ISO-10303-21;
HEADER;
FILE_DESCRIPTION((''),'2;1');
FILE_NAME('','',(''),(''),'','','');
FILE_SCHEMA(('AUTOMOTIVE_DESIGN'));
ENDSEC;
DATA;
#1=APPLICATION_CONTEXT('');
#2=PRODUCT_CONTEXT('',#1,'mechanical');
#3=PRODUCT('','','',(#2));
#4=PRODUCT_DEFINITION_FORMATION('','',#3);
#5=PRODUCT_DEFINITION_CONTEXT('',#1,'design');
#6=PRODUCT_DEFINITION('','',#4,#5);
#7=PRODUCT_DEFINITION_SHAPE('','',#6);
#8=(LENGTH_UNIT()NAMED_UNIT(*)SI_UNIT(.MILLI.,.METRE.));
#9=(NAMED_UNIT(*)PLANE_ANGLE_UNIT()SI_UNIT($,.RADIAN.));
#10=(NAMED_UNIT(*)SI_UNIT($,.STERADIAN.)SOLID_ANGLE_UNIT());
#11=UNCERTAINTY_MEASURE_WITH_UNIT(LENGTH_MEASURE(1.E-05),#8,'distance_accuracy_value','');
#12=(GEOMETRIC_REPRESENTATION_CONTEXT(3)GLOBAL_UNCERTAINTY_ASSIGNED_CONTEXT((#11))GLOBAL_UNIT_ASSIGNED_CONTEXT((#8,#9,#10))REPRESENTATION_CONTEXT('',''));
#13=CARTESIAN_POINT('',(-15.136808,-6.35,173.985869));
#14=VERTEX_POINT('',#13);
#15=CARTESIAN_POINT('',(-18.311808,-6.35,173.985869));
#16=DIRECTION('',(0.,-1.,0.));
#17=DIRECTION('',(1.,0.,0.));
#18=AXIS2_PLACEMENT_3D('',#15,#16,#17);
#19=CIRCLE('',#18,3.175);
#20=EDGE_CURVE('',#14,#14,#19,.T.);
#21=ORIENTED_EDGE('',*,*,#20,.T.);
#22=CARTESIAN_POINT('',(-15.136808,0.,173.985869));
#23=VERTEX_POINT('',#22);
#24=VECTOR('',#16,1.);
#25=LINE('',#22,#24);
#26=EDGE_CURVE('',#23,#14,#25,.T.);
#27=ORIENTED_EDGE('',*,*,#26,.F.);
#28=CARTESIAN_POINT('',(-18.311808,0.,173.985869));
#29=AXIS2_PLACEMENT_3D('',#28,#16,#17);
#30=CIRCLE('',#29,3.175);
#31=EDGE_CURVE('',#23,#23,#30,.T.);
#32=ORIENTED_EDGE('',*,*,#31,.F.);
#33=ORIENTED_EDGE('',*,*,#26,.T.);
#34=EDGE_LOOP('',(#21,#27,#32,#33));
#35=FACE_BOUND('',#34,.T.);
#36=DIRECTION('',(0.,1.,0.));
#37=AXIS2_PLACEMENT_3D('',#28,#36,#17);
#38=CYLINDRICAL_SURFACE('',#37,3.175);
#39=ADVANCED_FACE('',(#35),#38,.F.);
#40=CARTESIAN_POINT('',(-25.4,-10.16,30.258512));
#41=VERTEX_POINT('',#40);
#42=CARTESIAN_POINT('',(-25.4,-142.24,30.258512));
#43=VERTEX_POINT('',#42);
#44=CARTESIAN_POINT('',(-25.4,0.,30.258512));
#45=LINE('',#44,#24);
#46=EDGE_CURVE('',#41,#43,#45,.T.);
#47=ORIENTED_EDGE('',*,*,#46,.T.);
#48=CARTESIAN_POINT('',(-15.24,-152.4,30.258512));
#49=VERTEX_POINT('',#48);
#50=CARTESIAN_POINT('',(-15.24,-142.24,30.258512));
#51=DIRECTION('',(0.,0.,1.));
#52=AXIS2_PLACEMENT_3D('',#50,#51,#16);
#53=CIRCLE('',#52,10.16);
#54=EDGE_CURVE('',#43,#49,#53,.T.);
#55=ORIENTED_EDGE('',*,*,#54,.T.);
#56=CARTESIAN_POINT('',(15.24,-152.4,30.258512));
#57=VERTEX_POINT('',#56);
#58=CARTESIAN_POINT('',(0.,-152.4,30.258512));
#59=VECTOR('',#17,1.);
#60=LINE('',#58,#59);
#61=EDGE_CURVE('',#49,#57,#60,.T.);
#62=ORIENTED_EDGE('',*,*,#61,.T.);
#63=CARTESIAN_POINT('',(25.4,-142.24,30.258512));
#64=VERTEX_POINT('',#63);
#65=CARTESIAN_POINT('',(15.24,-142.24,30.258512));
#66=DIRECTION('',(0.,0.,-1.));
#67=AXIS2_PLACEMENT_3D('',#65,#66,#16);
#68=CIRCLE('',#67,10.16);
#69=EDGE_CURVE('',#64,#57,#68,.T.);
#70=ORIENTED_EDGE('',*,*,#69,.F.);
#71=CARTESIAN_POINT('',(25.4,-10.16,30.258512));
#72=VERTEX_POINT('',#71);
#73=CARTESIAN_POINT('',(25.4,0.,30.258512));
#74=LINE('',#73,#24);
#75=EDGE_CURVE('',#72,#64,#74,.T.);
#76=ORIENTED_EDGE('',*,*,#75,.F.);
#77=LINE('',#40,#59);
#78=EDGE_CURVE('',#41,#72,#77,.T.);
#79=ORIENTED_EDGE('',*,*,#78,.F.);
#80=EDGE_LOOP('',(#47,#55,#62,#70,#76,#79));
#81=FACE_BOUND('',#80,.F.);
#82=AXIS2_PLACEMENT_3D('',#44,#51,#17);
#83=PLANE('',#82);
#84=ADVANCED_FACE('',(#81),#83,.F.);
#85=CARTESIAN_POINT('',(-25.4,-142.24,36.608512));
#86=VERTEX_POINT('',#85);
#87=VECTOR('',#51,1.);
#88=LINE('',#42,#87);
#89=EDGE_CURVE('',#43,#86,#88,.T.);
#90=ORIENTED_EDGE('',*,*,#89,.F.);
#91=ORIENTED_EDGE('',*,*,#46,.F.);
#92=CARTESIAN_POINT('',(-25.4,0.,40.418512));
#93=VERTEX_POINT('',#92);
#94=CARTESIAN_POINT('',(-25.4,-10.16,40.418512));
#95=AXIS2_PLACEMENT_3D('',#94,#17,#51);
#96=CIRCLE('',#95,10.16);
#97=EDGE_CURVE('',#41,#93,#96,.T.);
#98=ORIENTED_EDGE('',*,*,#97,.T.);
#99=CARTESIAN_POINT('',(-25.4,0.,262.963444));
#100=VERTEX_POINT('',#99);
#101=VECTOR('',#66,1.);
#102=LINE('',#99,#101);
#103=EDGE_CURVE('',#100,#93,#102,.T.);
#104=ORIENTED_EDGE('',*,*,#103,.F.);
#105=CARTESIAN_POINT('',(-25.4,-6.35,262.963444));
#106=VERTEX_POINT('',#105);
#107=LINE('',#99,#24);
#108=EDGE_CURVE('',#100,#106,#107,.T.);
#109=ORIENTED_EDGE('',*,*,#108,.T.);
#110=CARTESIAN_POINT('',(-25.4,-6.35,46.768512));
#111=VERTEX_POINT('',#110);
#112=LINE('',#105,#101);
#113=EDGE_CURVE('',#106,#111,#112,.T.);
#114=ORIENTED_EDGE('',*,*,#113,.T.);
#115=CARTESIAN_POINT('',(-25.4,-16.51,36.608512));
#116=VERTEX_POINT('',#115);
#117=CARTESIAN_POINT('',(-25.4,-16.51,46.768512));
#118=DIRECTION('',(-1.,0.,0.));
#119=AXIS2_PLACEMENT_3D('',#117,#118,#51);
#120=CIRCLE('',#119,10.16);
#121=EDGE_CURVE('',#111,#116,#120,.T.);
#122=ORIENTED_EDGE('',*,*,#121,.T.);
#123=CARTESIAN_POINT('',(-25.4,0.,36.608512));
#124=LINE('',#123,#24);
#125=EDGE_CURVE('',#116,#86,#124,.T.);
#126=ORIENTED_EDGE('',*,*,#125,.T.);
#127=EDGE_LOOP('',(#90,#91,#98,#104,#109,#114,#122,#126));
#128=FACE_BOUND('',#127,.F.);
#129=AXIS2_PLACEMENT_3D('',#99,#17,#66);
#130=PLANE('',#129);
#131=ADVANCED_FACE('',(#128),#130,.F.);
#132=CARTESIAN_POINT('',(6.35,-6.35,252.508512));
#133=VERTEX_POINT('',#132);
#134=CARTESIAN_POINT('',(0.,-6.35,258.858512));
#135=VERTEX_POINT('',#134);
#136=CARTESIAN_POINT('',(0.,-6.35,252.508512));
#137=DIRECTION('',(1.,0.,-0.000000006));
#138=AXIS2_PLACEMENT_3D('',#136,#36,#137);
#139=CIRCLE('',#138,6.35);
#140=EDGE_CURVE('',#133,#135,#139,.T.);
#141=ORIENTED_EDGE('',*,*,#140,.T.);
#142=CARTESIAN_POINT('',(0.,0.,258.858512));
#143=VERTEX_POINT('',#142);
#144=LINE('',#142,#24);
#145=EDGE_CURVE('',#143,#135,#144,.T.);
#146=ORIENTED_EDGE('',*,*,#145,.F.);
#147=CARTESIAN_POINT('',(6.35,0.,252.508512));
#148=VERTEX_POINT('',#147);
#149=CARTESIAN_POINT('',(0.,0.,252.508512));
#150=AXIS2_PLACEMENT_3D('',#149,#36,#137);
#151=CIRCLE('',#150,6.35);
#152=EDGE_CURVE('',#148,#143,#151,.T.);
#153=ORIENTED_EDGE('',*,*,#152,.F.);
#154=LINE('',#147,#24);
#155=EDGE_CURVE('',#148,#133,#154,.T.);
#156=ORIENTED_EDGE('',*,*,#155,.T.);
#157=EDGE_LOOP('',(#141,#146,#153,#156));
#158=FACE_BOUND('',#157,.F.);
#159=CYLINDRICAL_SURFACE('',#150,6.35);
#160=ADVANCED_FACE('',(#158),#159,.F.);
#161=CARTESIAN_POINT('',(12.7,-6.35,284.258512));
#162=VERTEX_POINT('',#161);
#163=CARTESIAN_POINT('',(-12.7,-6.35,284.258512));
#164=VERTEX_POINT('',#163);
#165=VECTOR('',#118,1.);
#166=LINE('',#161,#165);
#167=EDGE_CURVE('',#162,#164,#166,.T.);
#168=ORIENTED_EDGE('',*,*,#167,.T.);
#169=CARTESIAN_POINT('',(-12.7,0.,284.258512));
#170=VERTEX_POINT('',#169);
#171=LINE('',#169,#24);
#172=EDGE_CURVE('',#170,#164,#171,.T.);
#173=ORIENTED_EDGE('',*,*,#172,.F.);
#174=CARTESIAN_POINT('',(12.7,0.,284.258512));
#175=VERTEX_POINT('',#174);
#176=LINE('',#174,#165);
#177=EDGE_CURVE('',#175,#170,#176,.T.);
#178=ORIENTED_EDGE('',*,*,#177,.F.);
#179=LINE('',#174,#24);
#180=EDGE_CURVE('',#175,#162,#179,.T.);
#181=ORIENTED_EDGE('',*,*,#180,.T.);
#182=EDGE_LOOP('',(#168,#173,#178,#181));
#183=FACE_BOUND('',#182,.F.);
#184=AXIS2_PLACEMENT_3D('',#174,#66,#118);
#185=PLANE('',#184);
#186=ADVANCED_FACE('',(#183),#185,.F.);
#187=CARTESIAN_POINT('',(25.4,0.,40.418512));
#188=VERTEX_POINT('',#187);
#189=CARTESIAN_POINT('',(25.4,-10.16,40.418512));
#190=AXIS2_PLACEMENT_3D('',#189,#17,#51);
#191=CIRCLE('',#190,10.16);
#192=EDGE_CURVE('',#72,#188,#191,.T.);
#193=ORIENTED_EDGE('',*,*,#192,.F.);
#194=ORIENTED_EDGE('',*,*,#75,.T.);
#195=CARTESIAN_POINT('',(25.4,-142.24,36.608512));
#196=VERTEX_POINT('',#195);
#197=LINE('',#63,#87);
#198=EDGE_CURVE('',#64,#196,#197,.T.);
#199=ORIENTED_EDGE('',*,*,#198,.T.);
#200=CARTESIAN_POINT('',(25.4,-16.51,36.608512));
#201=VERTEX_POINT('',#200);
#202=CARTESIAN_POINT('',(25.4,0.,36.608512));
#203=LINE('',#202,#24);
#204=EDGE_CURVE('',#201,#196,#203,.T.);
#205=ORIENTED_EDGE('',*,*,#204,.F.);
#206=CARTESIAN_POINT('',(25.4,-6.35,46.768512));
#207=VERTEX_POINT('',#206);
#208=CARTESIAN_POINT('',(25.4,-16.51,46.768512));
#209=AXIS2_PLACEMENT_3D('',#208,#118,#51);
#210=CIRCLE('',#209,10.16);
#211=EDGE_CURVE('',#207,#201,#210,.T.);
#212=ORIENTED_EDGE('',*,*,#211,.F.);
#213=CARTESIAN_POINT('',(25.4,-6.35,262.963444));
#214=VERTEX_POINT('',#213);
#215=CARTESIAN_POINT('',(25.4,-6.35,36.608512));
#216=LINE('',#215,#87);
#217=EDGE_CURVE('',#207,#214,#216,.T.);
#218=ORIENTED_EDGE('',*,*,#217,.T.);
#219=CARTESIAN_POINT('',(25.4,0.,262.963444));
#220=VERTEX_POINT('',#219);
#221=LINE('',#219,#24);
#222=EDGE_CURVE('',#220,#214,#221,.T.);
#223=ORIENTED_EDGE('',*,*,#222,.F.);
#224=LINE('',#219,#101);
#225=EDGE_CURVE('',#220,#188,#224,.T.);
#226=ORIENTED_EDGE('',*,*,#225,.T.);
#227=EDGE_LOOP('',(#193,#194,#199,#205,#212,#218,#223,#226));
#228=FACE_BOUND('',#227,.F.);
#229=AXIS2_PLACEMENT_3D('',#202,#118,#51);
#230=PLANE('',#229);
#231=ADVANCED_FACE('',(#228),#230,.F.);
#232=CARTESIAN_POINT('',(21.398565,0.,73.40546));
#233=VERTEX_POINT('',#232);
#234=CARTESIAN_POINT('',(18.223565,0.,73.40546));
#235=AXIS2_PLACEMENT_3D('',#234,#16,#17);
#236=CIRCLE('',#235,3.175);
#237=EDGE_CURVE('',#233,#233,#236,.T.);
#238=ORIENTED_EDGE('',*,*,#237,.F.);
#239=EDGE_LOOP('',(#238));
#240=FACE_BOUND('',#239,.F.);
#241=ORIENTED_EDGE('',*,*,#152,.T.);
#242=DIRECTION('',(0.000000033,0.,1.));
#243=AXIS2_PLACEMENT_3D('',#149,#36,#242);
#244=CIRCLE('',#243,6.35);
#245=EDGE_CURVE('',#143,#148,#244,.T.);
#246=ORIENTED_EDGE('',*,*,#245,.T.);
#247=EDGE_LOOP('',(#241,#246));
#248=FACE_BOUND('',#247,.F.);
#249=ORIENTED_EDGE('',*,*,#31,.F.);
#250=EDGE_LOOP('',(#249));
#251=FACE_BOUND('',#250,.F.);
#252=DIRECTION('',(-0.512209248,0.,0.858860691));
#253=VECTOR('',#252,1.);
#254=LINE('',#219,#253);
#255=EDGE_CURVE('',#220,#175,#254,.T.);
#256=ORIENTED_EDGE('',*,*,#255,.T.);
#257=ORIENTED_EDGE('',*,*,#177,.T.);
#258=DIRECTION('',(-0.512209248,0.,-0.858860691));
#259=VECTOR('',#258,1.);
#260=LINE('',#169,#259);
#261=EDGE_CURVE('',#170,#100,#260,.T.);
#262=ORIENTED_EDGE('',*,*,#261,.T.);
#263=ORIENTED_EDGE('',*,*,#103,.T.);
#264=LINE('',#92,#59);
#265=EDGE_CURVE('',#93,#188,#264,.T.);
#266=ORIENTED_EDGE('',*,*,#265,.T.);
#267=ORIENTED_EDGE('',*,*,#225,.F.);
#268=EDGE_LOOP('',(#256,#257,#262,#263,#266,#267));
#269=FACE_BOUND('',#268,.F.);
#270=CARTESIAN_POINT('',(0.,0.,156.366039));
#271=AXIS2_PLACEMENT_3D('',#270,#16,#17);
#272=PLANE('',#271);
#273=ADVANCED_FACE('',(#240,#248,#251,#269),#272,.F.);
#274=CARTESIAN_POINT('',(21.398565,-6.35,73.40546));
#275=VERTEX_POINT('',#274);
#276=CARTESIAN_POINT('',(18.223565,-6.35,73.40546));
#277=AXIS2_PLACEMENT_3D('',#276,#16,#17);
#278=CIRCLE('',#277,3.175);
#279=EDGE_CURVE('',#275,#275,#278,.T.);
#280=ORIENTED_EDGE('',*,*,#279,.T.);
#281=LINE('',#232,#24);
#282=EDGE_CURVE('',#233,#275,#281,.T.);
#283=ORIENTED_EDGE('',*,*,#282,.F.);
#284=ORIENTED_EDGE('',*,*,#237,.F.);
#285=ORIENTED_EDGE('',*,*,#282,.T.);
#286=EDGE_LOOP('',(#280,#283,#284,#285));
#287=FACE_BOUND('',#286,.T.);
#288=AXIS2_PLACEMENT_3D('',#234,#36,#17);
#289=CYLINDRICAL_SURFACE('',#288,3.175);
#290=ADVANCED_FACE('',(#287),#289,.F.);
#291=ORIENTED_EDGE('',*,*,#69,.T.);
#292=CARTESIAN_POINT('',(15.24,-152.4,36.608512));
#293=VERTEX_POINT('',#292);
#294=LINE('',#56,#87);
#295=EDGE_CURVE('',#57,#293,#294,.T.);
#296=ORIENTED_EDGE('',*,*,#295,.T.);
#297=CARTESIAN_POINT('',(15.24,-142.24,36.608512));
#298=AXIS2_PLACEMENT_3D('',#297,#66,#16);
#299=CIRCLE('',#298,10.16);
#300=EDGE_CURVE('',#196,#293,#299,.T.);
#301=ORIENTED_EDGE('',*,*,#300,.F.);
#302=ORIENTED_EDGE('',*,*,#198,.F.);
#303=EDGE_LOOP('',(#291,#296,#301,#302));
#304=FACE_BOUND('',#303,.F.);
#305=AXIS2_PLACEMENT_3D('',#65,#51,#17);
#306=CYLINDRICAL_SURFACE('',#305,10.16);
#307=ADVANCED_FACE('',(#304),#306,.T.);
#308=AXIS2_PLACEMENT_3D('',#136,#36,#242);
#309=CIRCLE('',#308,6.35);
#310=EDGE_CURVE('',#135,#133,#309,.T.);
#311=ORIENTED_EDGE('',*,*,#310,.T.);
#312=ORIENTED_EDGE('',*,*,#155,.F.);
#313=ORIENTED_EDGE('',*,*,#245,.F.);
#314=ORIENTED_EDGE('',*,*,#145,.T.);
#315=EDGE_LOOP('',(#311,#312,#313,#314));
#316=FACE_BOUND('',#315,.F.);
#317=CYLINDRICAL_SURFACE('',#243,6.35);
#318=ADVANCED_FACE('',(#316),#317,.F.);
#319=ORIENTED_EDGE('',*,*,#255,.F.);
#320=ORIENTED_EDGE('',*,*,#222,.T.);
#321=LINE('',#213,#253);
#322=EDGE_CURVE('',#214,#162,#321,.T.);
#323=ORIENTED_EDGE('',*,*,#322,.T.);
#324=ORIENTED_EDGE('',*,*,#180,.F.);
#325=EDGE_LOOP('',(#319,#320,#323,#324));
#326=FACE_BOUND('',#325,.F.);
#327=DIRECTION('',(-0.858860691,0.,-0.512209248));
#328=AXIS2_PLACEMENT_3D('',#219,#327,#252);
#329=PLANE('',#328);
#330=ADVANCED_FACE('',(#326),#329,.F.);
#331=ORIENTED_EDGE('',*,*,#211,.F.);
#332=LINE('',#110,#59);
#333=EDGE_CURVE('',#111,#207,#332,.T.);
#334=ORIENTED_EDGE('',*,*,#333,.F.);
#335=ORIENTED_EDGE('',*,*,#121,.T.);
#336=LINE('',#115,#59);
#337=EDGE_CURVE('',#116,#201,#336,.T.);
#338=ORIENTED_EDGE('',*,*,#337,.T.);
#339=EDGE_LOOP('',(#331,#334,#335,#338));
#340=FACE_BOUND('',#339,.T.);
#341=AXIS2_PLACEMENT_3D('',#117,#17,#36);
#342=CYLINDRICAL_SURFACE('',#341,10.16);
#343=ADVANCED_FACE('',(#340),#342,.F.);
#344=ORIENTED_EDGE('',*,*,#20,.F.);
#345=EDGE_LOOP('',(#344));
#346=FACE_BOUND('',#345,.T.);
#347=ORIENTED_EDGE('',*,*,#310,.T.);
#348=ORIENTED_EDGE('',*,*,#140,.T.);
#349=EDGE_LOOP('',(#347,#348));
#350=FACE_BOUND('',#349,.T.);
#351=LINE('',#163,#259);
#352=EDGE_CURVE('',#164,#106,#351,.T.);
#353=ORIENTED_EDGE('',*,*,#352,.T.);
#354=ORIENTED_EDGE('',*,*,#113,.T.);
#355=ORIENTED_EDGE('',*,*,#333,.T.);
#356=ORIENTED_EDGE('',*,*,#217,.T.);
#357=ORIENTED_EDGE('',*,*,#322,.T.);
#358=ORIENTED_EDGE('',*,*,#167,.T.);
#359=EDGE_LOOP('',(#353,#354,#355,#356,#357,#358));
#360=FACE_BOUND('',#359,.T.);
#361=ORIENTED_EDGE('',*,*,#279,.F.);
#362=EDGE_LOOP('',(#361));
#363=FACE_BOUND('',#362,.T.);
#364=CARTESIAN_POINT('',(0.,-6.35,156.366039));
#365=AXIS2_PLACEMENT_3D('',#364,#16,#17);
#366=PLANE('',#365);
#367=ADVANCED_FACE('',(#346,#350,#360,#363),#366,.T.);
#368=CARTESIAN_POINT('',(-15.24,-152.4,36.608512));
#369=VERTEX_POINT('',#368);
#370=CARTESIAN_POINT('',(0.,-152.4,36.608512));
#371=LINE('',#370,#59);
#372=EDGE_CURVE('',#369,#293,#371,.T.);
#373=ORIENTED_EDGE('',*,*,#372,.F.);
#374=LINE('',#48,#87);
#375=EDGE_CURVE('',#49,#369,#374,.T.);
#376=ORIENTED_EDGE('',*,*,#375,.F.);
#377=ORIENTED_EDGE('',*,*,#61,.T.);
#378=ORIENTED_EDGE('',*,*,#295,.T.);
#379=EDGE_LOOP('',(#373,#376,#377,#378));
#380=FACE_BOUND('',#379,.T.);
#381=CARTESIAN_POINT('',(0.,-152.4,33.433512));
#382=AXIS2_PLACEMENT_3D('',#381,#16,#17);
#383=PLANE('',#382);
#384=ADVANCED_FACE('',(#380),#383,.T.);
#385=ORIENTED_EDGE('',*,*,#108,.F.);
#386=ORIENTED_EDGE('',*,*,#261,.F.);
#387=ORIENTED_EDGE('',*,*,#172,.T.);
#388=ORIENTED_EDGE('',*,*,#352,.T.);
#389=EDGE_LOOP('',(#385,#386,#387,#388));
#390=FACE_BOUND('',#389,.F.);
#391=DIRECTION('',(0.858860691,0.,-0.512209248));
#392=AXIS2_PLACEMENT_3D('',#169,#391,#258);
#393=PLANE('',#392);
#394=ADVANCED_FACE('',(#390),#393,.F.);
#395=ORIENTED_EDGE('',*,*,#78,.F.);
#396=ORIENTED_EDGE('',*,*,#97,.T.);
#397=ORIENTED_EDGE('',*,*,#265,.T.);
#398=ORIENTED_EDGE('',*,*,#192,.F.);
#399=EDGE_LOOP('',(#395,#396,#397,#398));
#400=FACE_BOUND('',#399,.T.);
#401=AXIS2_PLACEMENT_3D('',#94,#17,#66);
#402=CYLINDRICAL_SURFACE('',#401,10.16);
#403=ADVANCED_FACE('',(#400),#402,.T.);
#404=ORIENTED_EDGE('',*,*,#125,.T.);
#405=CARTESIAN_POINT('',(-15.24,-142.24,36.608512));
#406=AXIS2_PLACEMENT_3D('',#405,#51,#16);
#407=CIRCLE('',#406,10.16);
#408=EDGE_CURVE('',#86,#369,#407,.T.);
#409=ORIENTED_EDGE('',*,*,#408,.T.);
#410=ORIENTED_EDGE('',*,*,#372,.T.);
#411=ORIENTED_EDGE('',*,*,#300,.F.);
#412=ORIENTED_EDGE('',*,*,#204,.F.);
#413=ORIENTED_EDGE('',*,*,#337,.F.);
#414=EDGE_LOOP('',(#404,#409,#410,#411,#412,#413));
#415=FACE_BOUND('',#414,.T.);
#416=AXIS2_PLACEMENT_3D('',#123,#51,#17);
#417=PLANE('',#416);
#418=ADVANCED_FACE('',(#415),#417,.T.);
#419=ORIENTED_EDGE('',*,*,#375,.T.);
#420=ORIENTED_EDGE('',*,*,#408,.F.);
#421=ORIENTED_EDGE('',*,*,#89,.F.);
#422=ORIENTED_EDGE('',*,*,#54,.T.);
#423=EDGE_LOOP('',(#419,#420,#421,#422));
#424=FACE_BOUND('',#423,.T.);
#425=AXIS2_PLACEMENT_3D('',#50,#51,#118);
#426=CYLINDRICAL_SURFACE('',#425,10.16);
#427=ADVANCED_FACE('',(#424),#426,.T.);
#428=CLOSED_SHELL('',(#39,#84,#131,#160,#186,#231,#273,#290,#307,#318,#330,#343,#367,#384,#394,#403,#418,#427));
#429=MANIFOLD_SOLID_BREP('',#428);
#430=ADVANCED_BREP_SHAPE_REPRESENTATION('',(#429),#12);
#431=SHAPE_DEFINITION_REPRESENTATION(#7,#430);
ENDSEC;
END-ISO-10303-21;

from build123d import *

# Parameters (mm, degrees)
F0_W     = 50.8
F0_H     = 6.35
F1_DEPTH = 152.4
F0_R     = 3.175
F2_DEPTH = 6.35
F3_R     = 10.16
F4_R     = 10.16


with BuildPart() as f1:
    # F0 (on Front) → F1 (new body)
    with BuildSketch(Plane.XZ):
        with Locations((0, 33.433512)):
            Rectangle(F0_W, F0_H)
    extrude(amount=F1_DEPTH)

    # F0 (on Front) → F2 (join)
    with BuildSketch(Plane.XZ):
        Polygon((-12.7, 284.258512), (-25.4, 262.963444), (-25.4, 36.608512), (25.4, 36.608512), (25.4, 262.963444), (12.7, 284.258512), (0, 284.258512), align=None)
        with Locations((18.223565, 73.40546)):
            Circle(F0_R, mode=Mode.SUBTRACT)
        with Locations((-18.311808, 173.985869)):
            Circle(F0_R, mode=Mode.SUBTRACT)
        with BuildLine():
            ThreePointArc((6.35, 252.508512), (-4.490128, 248.018384), (0, 258.858512))
            ThreePointArc((0, 258.858512), (4.490128, 256.99864), (6.35, 252.508512))
        make_face(mode=Mode.SUBTRACT)
    extrude(amount=F2_DEPTH)

    # F3
    f3_edges = [f1.edges().sort_by_distance(p)[0] for p in [
        (0, -6.35, 36.608512),
        (0, 0, 30.258512),
    ]]
    fillet(f3_edges, radius=F3_R)

    # F4
    f4_edges = [f1.edges().sort_by_distance(p)[0] for p in [
        (-25.4, -152.4, 33.433512),
        (25.4, -152.4, 33.433512),
    ]]
    fillet(f4_edges, radius=F4_R)


solid = f1.part
